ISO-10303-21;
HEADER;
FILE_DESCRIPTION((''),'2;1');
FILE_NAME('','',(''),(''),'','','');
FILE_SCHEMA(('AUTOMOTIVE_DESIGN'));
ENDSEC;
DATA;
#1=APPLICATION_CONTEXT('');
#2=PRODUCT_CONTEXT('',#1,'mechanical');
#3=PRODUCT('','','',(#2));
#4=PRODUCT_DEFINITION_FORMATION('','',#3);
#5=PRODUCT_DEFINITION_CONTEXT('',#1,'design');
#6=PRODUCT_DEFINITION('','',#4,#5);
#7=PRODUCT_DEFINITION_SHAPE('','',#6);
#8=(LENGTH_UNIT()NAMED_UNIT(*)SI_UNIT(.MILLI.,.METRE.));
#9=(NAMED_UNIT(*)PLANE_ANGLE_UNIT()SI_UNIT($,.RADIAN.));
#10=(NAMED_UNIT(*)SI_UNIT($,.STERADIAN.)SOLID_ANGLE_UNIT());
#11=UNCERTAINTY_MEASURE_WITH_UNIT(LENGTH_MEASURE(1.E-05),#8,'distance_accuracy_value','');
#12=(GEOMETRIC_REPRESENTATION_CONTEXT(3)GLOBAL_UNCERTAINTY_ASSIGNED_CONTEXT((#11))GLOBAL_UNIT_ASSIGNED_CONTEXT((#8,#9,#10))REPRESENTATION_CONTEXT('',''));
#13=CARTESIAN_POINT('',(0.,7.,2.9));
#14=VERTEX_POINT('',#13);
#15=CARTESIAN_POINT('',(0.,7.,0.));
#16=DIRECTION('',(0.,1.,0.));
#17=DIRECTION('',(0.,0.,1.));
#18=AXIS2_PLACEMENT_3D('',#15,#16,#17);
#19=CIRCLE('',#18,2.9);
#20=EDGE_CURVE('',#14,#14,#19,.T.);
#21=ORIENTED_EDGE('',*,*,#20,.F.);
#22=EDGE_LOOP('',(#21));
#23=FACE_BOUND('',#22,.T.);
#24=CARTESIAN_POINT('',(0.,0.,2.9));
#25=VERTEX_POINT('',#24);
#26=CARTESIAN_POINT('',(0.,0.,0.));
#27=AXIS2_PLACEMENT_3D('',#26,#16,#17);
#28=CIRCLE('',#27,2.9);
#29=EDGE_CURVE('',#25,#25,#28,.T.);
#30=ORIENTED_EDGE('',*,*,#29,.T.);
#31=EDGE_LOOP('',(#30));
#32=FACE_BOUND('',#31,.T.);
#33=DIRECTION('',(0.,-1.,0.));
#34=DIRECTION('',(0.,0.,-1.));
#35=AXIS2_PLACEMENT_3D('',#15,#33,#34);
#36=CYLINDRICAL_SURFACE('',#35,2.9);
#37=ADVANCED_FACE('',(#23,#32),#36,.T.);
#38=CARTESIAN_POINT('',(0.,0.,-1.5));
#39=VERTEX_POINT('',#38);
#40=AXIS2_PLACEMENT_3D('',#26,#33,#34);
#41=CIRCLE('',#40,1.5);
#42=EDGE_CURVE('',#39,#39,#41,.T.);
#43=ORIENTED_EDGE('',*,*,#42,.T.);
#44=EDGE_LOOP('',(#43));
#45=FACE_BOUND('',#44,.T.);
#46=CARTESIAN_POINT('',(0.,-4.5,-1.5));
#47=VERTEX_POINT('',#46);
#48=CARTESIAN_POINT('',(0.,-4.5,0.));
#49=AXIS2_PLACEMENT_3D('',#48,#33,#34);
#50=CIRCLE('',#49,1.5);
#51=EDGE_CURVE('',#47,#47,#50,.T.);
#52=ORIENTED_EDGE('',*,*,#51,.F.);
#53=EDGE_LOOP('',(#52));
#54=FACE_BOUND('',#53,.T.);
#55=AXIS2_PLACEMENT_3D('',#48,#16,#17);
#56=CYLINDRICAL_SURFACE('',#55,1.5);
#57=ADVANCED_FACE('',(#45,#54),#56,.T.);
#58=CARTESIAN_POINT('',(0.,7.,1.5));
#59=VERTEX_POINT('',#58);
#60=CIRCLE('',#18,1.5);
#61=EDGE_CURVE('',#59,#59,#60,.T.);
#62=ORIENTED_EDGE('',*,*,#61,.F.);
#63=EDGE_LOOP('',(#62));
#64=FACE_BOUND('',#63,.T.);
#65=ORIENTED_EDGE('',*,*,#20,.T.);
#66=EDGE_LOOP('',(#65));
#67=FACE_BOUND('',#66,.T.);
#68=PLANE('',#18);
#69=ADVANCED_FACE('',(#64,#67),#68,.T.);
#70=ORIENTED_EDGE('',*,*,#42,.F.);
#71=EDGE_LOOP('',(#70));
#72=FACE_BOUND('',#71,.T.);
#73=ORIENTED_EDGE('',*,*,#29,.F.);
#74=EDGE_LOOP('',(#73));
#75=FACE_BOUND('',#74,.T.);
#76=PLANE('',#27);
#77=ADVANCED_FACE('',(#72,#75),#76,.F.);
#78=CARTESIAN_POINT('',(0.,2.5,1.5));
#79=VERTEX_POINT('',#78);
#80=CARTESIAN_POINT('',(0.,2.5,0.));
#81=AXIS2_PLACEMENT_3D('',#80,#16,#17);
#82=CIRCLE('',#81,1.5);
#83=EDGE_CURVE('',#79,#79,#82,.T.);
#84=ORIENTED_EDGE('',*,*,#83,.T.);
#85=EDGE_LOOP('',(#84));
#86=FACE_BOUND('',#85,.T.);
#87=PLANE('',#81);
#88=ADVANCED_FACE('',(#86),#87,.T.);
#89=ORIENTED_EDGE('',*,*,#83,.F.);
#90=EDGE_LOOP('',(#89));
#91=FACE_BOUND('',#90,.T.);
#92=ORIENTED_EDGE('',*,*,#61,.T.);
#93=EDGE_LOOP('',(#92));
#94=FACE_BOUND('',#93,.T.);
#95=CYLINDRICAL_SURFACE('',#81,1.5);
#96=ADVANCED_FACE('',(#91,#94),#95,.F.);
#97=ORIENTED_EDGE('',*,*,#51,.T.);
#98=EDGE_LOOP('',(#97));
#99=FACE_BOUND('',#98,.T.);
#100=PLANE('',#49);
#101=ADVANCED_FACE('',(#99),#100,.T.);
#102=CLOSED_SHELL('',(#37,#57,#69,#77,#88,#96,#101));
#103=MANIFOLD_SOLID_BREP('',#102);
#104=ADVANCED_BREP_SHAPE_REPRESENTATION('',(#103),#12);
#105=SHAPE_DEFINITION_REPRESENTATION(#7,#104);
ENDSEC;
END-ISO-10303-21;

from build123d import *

# Parameters (mm, degrees)
SKETCH1_R           = 2.9
BOSS_EXTRUDE1_DEPTH = 7
SKETCH2_R           = 1.5
BOSS_EXTRUDE2_DEPTH = 4.5
SKETCH3_R           = 1.5
CUT_EXTRUDE1_DEPTH  = 4.5


with BuildPart() as part:
    # Sketch1 → Boss-Extrude1 (new body)
    with BuildSketch(Plane(origin=(0, 0, 0), x_dir=(1, 0, 0), z_dir=(0, 1, 0))):
        with Locations(Location((0, 0, 0), (0, 0, 270))):
            Circle(SKETCH1_R)
    extrude(amount=BOSS_EXTRUDE1_DEPTH)

    # Sketch2 → Boss-Extrude2 (add)
    with BuildSketch(Plane.XZ):
        with Locations(Location((0, 0, 0), (0, 0, 270))):
            Circle(SKETCH2_R)
    extrude(amount=BOSS_EXTRUDE2_DEPTH)

    # Sketch3 → Cut-Extrude1 (cut)
    with BuildSketch(Plane(origin=(0, 7, 0), x_dir=(1, 0, 0), z_dir=(0, 1, 0))):
        with Locations(Location((0, 0, 0), (0, 0, 90))):
            Circle(SKETCH3_R)
    extrude(amount=-CUT_EXTRUDE1_DEPTH, mode=Mode.SUBTRACT)


solid = part.part
